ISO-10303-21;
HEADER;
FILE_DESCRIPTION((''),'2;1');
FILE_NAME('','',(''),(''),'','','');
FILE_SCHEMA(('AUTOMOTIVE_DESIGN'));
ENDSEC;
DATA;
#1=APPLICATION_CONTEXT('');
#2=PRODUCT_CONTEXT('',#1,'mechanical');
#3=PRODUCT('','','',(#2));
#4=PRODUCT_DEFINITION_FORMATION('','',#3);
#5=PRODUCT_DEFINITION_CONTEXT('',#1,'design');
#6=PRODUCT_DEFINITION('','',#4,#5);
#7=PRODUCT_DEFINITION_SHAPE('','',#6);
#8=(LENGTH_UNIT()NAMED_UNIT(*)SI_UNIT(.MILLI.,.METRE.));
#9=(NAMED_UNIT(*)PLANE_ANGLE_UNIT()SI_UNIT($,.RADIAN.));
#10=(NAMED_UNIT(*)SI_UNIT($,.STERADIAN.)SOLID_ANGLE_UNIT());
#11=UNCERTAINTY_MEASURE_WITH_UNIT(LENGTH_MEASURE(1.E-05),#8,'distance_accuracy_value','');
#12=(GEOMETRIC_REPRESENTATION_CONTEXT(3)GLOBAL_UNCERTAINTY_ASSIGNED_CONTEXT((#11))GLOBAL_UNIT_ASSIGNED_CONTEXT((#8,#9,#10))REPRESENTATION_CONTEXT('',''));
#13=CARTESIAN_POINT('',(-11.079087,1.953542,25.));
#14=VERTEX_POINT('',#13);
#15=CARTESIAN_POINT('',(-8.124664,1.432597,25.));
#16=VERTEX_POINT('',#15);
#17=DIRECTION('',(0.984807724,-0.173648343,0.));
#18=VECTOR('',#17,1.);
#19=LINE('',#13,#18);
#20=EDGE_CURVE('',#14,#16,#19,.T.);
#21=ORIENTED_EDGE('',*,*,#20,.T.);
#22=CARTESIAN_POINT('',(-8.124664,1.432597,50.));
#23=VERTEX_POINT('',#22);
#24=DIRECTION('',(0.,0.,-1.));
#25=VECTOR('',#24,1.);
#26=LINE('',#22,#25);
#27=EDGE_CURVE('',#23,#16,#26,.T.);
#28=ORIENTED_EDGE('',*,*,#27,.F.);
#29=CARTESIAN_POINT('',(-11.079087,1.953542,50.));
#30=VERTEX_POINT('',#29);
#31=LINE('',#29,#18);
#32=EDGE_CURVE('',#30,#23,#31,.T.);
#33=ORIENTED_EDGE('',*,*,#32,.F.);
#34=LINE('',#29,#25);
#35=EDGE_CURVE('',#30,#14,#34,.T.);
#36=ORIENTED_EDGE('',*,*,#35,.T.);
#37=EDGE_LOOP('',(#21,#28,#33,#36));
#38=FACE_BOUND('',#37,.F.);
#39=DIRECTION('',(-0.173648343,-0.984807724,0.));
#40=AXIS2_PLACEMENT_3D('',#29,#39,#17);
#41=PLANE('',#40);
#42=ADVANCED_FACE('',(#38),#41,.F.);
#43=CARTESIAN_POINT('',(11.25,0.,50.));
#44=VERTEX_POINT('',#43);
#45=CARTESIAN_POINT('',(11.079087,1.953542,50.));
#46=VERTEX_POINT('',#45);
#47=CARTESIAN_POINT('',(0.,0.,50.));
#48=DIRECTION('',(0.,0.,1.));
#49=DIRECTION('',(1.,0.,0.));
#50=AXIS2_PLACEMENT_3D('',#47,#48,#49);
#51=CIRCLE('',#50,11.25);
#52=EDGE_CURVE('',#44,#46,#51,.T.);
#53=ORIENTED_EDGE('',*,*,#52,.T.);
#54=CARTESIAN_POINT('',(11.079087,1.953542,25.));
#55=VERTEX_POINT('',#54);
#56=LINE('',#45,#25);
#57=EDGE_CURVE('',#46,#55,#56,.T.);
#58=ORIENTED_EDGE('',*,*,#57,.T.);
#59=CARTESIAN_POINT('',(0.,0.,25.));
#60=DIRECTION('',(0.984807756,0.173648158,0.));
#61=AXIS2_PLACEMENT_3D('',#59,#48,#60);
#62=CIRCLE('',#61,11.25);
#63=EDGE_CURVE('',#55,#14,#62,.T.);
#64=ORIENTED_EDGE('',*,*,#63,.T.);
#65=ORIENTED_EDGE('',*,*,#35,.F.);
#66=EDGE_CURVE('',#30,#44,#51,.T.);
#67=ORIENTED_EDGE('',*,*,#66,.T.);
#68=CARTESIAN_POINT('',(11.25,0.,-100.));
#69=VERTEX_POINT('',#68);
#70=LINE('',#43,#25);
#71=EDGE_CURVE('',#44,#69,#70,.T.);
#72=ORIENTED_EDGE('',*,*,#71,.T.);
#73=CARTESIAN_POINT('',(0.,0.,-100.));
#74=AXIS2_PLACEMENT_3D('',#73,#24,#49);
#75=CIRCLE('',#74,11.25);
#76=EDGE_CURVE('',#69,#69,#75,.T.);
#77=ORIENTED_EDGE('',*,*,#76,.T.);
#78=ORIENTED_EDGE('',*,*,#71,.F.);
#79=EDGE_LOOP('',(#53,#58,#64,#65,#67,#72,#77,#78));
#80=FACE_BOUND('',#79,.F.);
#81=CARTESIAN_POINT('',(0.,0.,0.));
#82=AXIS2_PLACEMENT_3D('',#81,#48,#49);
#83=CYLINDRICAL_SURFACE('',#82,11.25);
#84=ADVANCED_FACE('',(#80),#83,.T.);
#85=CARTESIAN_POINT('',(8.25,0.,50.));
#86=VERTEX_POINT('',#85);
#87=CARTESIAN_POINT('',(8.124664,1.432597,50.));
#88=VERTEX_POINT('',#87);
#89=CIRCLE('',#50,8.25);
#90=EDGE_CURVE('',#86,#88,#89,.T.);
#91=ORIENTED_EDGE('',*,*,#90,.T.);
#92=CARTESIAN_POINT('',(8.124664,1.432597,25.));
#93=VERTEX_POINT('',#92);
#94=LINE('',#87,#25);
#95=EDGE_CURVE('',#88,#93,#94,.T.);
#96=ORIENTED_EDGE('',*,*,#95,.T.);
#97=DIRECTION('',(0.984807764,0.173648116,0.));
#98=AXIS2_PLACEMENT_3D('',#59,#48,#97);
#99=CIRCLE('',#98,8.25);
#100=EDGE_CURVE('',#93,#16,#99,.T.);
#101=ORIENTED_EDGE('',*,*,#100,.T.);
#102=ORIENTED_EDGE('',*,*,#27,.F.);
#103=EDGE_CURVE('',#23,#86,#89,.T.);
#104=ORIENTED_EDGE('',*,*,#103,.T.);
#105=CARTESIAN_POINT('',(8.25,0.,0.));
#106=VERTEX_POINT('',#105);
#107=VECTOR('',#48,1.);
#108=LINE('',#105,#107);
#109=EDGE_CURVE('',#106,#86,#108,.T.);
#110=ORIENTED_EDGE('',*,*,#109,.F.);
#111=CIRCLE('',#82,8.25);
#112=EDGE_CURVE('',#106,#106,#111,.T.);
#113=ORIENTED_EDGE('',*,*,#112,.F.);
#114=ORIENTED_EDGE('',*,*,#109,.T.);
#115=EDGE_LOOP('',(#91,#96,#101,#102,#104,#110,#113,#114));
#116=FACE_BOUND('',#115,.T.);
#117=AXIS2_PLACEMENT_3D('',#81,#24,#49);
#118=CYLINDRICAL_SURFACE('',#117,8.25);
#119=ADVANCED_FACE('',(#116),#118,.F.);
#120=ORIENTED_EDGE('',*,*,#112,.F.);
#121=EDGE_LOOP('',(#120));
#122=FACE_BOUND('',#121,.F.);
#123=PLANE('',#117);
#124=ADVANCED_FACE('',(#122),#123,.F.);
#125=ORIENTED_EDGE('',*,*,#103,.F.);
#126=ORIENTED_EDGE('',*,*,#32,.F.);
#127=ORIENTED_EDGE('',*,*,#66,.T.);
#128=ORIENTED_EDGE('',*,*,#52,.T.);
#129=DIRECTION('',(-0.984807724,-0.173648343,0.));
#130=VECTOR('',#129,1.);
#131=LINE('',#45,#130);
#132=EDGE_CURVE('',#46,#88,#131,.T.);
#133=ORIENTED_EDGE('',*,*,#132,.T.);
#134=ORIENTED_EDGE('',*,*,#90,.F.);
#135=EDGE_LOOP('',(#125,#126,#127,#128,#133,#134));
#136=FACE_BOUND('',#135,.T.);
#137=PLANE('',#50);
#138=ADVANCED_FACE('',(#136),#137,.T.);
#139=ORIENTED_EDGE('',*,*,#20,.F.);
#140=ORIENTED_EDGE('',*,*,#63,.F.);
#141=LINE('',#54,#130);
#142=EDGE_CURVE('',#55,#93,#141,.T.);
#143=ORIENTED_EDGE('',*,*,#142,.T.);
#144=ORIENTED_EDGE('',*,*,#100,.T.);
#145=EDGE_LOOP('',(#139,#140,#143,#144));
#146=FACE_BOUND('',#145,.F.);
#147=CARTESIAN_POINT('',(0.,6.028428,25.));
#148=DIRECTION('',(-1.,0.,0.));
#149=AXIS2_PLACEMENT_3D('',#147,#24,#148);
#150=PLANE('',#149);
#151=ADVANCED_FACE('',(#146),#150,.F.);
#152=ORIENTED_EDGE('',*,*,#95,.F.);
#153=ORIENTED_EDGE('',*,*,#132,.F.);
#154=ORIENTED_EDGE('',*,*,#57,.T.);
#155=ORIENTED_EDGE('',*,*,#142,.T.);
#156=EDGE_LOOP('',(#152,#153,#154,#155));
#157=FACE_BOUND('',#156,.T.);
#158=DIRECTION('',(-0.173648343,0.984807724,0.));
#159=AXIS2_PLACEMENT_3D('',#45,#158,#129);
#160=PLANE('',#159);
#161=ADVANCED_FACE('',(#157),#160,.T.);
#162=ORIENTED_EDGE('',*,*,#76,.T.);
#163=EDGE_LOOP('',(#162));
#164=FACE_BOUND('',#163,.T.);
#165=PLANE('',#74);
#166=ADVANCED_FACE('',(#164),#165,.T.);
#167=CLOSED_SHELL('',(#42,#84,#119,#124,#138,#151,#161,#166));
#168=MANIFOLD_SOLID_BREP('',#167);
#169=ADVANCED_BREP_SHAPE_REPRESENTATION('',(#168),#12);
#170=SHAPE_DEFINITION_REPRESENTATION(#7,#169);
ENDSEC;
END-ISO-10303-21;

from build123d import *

# Parameters (mm, degrees)
SKETCH_R     = 11.25
SKETCH_R_2   = 8.25
PAD_DEPTH    = 50
SKETCH001_R  = 11.25
PAD001_DEPTH = 100
POCKET_DEPTH = 25


with BuildPart() as part:
    # Sketch → Pad (new body)
    with BuildSketch(Plane.XY):
        Circle(SKETCH_R)
        Circle(SKETCH_R_2, mode=Mode.SUBTRACT)
    extrude(amount=PAD_DEPTH)

    # Sketch001 (on Face3 of Pad) → Pad001 (join)
    with BuildSketch(Plane(origin=(0, 0, 0), x_dir=(1, 0, 0), z_dir=(0, 0, -1))):
        Circle(SKETCH001_R)
    extrude(amount=PAD001_DEPTH)

    # Sketch002 (on Face3 of Pad001) → Pocket (cut)
    with BuildSketch(Plane.XY.offset(50)):
        with BuildLine():
            ThreePointArc((8.124664, 1.432597), (0, 8.25), (-8.124664, 1.432597))
            Line((-11.079087, 1.953542), (-8.124664, 1.432597))
            ThreePointArc((11.079087, 1.953542), (0, 11.25), (-11.079087, 1.953542))
            Line((11.079087, 1.953542), (8.124664, 1.432597))
        make_face()
    extrude(amount=-POCKET_DEPTH, mode=Mode.SUBTRACT)


solid = part.part
